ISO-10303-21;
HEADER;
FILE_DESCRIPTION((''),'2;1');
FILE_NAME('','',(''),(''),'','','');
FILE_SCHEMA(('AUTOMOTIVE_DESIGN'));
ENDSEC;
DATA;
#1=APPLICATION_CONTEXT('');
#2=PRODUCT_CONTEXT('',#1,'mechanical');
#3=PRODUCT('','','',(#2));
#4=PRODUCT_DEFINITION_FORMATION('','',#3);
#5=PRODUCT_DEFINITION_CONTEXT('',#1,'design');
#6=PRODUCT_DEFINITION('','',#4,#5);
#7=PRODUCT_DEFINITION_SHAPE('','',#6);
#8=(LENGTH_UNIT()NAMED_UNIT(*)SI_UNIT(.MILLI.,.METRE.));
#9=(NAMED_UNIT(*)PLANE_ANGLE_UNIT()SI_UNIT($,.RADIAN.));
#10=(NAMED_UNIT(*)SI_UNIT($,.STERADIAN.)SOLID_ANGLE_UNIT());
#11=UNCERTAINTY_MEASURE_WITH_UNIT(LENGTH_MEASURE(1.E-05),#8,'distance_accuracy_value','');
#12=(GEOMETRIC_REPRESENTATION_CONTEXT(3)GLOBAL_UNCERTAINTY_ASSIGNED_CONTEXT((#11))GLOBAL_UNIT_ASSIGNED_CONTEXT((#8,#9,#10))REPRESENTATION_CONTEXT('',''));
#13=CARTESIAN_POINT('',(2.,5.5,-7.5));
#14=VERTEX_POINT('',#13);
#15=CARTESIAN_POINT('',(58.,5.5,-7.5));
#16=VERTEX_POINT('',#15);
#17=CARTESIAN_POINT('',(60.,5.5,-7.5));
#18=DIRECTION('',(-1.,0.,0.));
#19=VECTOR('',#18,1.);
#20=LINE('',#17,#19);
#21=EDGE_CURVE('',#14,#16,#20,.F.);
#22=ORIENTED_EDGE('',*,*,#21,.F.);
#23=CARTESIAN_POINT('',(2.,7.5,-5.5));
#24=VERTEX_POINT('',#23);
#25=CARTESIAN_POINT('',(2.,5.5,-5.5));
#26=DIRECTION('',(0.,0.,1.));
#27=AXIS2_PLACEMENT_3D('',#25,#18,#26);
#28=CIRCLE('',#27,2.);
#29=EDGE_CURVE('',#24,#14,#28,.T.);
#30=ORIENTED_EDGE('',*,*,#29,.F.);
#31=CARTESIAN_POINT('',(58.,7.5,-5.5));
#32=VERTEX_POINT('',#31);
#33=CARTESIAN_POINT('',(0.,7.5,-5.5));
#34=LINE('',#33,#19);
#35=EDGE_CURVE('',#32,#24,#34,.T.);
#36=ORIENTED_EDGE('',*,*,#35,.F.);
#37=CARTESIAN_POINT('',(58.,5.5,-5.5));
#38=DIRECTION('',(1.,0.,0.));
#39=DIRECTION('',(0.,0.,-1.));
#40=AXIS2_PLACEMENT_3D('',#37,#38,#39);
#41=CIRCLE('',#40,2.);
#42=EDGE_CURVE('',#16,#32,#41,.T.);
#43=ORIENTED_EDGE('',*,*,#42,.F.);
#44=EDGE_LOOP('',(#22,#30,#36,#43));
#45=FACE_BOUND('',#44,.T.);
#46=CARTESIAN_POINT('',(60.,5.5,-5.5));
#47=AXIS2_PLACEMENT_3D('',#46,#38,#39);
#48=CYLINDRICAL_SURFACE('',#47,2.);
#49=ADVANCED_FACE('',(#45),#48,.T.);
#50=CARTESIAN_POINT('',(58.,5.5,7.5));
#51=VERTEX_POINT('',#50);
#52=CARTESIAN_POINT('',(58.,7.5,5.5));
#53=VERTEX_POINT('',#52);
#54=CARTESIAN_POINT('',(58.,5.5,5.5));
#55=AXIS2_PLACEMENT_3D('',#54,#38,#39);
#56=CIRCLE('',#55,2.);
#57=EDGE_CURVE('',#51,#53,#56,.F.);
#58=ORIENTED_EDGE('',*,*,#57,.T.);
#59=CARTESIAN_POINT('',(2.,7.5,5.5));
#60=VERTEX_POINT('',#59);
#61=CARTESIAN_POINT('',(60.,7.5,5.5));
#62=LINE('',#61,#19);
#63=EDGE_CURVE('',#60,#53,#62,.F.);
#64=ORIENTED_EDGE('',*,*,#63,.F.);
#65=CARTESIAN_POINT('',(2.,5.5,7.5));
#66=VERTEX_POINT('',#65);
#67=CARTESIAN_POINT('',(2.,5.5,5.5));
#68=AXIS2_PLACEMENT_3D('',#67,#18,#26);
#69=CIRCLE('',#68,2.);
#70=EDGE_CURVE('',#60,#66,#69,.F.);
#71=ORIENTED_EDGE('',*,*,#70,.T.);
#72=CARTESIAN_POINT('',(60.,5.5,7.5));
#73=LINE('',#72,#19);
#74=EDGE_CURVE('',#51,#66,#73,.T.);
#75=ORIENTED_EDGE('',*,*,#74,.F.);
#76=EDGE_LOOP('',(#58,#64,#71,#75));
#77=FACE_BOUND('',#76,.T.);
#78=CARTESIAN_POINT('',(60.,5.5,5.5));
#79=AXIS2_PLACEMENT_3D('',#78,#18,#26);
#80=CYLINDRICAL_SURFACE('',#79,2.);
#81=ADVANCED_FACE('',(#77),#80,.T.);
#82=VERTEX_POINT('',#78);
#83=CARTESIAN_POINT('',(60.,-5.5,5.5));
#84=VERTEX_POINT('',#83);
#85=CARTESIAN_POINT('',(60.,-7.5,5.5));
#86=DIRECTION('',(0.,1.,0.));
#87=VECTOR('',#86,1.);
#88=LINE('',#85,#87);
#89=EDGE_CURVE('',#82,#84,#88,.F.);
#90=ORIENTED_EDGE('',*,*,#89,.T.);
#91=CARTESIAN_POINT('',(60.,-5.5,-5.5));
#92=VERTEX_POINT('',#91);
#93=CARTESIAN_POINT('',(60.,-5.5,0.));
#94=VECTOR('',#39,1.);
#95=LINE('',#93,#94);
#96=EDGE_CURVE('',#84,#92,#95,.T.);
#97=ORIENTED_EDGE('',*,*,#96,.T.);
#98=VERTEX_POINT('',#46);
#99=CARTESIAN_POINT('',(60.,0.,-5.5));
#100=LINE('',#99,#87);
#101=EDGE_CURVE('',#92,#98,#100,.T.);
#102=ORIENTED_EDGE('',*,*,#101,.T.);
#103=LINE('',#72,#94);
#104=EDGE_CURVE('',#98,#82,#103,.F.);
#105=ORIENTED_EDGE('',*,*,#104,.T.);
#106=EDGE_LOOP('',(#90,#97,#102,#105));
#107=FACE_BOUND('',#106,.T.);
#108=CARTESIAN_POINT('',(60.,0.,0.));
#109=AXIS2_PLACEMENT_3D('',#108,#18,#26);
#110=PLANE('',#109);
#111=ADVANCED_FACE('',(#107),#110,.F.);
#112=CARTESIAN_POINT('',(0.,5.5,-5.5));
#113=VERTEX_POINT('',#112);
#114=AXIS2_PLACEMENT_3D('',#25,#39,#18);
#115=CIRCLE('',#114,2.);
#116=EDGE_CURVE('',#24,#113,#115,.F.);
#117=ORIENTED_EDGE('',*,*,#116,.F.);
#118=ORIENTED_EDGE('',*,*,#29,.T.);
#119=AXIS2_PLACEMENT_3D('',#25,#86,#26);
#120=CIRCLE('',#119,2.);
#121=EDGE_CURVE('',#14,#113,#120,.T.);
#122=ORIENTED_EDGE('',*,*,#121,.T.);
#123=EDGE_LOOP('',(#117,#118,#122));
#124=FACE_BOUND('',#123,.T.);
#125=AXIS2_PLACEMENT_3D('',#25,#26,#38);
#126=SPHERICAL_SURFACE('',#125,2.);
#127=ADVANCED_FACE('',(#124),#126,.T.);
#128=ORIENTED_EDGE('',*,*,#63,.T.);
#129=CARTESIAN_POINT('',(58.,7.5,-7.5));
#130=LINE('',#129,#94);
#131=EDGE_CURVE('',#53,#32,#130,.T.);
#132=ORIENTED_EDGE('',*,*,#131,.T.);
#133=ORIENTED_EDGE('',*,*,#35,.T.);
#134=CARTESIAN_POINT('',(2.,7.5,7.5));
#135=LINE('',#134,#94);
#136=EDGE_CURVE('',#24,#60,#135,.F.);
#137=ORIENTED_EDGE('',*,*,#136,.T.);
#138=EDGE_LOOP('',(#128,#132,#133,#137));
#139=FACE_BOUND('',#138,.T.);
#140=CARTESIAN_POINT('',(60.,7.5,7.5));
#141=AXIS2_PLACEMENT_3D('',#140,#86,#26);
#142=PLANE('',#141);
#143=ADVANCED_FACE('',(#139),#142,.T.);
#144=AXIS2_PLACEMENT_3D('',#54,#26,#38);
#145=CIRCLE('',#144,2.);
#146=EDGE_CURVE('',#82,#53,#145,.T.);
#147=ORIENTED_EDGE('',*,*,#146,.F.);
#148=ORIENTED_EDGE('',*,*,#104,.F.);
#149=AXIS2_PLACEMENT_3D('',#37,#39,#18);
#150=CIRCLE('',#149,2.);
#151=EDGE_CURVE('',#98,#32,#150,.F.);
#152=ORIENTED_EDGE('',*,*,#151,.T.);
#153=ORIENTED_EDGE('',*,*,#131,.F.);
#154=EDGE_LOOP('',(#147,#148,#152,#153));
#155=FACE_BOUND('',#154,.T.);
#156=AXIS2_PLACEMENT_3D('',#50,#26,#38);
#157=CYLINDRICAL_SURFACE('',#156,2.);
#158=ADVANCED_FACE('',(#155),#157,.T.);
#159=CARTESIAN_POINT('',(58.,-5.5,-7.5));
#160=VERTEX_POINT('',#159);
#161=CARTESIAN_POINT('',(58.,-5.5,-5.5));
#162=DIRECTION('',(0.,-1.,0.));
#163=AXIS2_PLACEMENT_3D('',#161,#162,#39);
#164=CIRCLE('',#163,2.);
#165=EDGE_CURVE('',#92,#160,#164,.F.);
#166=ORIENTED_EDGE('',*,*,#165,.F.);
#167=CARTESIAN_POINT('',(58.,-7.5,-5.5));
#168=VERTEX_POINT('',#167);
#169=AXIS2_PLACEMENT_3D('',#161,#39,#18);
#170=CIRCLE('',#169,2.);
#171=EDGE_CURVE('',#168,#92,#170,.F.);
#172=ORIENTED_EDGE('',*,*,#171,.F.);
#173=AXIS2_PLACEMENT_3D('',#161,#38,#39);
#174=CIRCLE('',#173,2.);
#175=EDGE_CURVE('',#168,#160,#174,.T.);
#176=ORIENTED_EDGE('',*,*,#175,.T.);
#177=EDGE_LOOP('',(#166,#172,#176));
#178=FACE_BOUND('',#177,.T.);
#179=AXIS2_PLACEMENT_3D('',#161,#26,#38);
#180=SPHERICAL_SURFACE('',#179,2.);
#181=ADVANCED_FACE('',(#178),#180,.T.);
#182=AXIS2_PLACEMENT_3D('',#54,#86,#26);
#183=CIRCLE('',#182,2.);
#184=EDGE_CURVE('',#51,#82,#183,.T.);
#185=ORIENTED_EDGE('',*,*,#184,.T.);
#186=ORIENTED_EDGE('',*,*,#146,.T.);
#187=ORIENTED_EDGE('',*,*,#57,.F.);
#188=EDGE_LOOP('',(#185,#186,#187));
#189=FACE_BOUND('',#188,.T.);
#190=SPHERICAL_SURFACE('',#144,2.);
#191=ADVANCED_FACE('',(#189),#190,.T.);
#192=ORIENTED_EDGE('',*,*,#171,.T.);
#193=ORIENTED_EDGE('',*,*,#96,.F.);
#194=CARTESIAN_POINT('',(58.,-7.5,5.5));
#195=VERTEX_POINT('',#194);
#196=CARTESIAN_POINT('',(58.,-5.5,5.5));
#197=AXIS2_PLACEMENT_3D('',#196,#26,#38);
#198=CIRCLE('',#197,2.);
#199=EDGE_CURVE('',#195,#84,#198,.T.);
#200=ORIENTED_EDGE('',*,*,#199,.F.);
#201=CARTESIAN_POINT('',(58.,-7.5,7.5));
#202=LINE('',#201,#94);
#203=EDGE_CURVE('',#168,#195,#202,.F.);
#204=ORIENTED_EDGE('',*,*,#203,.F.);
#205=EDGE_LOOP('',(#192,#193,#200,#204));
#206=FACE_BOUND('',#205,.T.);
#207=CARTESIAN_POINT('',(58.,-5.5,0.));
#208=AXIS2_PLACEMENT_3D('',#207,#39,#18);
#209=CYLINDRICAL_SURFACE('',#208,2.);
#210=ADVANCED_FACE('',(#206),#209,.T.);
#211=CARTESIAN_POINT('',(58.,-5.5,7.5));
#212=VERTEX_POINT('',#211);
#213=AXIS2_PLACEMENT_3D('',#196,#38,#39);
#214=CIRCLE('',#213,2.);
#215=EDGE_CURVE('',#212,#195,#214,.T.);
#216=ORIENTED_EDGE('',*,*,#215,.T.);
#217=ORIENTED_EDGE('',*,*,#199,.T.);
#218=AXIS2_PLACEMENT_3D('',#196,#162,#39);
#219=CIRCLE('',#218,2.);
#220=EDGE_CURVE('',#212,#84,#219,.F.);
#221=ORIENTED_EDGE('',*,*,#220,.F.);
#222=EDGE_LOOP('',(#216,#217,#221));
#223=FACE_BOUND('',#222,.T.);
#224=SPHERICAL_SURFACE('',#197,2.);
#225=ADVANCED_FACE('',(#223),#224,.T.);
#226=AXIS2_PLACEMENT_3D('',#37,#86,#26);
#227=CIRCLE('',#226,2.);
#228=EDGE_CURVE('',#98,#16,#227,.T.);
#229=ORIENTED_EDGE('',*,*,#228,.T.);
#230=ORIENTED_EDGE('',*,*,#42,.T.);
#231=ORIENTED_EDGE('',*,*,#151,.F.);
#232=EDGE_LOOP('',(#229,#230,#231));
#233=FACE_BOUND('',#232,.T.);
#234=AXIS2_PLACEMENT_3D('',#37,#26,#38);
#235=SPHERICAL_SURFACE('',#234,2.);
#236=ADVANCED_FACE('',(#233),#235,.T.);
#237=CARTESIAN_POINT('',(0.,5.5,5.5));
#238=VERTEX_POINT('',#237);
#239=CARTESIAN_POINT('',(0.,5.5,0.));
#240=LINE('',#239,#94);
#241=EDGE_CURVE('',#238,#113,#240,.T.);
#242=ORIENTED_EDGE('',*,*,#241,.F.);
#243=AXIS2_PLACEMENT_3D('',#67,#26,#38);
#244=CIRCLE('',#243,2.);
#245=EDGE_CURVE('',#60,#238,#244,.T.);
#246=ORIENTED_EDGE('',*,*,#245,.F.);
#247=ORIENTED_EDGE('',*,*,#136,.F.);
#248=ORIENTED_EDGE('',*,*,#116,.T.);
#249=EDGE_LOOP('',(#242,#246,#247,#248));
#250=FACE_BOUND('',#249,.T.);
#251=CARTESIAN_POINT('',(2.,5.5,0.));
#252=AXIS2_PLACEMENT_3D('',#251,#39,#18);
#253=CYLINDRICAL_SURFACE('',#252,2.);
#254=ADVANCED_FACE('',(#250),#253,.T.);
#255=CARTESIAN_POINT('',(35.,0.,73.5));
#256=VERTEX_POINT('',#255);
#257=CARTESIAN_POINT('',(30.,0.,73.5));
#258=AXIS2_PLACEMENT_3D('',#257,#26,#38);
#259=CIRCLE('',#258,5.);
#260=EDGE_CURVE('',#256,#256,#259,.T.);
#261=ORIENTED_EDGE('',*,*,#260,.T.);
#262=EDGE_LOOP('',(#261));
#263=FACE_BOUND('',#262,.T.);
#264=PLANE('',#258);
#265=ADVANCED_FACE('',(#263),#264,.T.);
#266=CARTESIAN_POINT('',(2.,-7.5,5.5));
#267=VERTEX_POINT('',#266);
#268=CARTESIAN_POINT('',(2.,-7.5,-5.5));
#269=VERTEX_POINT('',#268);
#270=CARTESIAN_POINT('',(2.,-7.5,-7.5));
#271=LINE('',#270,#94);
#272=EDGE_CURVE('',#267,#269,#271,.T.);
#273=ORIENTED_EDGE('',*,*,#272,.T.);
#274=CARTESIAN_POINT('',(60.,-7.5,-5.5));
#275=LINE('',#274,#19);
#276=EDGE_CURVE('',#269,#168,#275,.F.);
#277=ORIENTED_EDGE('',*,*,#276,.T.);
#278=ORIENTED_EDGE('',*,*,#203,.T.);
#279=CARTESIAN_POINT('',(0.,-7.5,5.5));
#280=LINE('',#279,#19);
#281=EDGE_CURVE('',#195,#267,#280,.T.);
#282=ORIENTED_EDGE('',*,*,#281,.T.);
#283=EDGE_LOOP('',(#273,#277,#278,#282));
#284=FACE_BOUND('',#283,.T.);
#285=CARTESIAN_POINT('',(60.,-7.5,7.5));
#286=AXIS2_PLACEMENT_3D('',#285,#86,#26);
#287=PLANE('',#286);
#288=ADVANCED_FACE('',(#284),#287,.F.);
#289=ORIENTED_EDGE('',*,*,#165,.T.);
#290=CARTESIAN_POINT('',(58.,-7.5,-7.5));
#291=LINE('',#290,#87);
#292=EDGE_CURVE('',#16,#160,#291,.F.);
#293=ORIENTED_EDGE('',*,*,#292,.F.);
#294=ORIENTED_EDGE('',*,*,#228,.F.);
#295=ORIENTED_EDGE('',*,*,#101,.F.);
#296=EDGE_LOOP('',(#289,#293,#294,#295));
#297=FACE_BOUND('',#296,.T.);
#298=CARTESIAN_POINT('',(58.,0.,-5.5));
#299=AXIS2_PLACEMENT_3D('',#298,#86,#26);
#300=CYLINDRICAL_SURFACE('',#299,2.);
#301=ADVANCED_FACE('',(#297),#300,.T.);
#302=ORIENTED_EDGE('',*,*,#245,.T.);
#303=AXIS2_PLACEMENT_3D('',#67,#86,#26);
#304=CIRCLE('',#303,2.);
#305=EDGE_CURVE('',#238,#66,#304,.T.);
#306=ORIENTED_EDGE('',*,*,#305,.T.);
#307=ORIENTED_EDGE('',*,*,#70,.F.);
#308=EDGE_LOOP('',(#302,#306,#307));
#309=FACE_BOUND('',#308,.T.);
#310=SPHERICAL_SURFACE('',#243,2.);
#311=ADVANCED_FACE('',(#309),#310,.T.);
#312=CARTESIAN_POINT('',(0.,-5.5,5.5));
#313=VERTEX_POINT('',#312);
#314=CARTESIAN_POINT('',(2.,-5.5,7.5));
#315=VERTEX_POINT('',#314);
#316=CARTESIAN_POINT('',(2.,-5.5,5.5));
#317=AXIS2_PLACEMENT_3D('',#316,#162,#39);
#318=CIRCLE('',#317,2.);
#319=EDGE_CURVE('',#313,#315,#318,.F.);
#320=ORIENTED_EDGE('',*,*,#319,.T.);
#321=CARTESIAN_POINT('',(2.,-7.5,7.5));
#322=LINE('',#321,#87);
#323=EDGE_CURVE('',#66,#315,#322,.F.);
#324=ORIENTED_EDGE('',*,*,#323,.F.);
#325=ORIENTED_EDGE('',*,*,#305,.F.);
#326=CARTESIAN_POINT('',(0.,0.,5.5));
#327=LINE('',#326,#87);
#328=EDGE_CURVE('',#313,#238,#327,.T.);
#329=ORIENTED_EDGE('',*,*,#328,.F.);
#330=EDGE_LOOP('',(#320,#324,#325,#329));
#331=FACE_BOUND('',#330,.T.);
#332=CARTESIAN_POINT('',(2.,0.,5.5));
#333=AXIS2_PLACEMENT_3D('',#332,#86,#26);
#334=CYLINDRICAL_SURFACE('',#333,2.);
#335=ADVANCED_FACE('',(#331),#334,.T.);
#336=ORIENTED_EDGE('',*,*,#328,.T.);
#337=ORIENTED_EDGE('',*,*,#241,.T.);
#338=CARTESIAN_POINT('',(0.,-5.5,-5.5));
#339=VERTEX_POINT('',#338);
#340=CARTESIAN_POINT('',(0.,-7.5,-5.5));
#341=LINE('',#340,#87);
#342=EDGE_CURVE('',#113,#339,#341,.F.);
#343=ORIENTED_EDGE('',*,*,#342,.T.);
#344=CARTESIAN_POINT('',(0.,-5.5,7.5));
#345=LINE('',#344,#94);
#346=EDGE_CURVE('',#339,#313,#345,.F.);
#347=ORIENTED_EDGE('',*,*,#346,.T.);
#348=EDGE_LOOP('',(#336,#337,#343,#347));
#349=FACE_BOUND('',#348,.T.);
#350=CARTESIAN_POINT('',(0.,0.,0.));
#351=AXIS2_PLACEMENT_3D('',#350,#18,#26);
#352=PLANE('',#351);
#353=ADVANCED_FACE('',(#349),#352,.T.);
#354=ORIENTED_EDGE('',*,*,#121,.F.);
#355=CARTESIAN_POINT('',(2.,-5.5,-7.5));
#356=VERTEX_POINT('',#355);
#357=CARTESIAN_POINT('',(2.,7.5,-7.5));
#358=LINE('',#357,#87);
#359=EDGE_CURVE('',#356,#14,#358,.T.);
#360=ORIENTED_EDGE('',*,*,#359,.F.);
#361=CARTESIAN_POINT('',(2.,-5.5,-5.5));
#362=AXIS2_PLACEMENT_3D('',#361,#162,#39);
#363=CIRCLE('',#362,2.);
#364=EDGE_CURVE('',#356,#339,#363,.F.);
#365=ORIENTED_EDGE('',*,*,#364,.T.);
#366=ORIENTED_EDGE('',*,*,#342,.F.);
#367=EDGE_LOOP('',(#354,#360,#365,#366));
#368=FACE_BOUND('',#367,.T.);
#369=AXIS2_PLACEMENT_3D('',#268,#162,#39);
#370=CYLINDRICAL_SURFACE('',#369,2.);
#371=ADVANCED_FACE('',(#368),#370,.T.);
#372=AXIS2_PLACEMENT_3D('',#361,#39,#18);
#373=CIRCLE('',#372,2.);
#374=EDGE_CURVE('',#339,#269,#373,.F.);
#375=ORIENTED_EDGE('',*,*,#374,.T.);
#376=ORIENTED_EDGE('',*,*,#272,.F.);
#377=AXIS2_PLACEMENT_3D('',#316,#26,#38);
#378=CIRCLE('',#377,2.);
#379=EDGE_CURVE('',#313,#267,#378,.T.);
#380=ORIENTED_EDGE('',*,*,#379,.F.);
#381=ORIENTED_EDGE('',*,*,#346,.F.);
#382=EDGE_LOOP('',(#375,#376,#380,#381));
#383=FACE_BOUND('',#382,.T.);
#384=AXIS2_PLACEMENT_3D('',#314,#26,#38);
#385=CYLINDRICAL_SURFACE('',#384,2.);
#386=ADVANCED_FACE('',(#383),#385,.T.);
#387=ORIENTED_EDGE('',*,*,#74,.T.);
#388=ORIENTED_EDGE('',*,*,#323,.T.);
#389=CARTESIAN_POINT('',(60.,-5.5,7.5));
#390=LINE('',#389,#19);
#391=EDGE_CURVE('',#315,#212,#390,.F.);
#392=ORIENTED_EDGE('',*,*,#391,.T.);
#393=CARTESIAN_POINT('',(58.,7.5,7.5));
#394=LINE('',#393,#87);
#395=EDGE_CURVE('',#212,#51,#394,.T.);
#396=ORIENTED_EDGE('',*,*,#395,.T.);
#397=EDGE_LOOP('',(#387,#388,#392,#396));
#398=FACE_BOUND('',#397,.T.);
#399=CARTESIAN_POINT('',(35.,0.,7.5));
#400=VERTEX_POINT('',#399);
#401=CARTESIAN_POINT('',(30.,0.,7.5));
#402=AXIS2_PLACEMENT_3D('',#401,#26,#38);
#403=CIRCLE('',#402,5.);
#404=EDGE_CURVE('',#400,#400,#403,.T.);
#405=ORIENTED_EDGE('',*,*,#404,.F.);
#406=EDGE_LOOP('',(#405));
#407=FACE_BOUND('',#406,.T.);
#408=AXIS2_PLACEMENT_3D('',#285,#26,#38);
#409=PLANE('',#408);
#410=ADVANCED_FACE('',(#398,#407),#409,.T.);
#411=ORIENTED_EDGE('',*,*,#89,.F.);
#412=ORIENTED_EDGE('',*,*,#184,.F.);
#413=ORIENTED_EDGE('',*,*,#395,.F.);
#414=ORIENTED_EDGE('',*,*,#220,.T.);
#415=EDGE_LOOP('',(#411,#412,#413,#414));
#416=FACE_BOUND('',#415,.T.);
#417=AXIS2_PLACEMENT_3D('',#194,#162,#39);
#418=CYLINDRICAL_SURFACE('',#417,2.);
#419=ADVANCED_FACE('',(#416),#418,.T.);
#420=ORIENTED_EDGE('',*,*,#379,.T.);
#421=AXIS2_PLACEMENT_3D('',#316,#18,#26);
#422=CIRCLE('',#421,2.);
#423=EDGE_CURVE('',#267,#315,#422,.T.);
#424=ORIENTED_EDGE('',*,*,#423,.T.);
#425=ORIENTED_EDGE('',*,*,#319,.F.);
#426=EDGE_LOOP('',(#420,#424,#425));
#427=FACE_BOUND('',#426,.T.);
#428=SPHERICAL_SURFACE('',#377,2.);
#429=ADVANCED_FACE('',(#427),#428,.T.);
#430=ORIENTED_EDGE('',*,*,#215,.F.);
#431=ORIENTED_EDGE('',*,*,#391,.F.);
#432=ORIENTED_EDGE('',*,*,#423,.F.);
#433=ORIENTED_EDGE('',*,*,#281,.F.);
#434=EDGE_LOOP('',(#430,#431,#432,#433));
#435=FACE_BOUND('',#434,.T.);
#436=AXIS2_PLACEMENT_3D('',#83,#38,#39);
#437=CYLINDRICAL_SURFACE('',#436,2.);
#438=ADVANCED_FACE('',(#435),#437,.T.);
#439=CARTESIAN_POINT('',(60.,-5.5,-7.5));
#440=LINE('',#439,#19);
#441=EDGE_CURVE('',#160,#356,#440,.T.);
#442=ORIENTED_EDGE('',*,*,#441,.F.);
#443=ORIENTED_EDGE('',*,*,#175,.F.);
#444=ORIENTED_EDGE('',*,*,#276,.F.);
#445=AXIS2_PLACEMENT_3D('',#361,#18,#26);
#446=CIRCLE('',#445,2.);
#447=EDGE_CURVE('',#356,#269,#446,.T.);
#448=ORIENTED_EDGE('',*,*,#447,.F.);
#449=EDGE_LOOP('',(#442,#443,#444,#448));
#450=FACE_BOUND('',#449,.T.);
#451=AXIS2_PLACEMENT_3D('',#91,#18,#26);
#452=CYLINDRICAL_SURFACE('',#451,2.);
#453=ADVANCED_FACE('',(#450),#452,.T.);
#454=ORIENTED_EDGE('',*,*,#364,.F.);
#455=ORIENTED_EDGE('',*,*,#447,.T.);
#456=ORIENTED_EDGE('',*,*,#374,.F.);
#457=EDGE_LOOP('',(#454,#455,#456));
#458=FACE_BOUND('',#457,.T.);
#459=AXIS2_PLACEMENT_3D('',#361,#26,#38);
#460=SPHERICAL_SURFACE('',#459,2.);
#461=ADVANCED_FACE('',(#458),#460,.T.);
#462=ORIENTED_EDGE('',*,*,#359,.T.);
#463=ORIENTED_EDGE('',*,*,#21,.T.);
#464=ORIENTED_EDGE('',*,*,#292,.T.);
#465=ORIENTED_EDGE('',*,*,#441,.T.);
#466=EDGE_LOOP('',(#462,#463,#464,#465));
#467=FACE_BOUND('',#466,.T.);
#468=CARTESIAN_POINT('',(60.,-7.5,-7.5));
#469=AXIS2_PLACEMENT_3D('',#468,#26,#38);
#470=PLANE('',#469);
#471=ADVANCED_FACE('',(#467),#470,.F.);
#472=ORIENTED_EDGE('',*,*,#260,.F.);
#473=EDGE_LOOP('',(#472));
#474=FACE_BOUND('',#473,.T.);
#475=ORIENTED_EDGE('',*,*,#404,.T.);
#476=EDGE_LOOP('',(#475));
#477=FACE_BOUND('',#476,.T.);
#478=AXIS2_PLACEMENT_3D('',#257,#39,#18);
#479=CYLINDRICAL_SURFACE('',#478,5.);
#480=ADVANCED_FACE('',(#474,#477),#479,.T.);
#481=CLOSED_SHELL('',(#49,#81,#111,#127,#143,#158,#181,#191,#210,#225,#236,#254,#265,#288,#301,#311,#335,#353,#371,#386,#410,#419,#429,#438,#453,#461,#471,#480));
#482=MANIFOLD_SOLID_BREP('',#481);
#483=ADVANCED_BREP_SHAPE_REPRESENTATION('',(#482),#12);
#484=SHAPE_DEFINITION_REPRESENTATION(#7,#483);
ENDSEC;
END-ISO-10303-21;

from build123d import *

# Parameters (mm, degrees)
SKETCH1_W           = 15
SKETCH1_H           = 15
BOSS_EXTRUDE1_DEPTH = 60
SKETCH3_R           = 5
BOSS_EXTRUDE2_DEPTH = 66
FILLET1_R           = 2


with BuildPart() as part:
    # Sketch1 → Boss-Extrude1 (new body)
    with BuildSketch(Plane(origin=(0, 0, 0), x_dir=(0, 0, -1), z_dir=(1, 0, 0))):
        Rectangle(SKETCH1_W, SKETCH1_H)
    extrude(amount=BOSS_EXTRUDE1_DEPTH)

    # Sketch3 → Boss-Extrude2 (add)
    with BuildSketch(Plane.XY.offset(7.5)):
        with Locations((30, 0)):
            Circle(SKETCH3_R)
    extrude(amount=BOSS_EXTRUDE2_DEPTH)

    # Fillet1
    fillet1_edges = [part.edges().sort_by_distance(p)[0] for p in [
        (60, 0, -7.5),
        (60, -7.5, 0),
        (60, 0, 7.5),
        (0, -7.5, 0),
        (0, 0, -7.5),
        (0, 7.5, 0),
        (0, 0, 7.5),
        (60, 7.5, 0),
        (30, -7.5, 7.5),
        (30, -7.5, -7.5),
        (30, 7.5, -7.5),
        (30, 7.5, 7.5),
    ]]
    fillet(fillet1_edges, radius=FILLET1_R)


solid = part.part
